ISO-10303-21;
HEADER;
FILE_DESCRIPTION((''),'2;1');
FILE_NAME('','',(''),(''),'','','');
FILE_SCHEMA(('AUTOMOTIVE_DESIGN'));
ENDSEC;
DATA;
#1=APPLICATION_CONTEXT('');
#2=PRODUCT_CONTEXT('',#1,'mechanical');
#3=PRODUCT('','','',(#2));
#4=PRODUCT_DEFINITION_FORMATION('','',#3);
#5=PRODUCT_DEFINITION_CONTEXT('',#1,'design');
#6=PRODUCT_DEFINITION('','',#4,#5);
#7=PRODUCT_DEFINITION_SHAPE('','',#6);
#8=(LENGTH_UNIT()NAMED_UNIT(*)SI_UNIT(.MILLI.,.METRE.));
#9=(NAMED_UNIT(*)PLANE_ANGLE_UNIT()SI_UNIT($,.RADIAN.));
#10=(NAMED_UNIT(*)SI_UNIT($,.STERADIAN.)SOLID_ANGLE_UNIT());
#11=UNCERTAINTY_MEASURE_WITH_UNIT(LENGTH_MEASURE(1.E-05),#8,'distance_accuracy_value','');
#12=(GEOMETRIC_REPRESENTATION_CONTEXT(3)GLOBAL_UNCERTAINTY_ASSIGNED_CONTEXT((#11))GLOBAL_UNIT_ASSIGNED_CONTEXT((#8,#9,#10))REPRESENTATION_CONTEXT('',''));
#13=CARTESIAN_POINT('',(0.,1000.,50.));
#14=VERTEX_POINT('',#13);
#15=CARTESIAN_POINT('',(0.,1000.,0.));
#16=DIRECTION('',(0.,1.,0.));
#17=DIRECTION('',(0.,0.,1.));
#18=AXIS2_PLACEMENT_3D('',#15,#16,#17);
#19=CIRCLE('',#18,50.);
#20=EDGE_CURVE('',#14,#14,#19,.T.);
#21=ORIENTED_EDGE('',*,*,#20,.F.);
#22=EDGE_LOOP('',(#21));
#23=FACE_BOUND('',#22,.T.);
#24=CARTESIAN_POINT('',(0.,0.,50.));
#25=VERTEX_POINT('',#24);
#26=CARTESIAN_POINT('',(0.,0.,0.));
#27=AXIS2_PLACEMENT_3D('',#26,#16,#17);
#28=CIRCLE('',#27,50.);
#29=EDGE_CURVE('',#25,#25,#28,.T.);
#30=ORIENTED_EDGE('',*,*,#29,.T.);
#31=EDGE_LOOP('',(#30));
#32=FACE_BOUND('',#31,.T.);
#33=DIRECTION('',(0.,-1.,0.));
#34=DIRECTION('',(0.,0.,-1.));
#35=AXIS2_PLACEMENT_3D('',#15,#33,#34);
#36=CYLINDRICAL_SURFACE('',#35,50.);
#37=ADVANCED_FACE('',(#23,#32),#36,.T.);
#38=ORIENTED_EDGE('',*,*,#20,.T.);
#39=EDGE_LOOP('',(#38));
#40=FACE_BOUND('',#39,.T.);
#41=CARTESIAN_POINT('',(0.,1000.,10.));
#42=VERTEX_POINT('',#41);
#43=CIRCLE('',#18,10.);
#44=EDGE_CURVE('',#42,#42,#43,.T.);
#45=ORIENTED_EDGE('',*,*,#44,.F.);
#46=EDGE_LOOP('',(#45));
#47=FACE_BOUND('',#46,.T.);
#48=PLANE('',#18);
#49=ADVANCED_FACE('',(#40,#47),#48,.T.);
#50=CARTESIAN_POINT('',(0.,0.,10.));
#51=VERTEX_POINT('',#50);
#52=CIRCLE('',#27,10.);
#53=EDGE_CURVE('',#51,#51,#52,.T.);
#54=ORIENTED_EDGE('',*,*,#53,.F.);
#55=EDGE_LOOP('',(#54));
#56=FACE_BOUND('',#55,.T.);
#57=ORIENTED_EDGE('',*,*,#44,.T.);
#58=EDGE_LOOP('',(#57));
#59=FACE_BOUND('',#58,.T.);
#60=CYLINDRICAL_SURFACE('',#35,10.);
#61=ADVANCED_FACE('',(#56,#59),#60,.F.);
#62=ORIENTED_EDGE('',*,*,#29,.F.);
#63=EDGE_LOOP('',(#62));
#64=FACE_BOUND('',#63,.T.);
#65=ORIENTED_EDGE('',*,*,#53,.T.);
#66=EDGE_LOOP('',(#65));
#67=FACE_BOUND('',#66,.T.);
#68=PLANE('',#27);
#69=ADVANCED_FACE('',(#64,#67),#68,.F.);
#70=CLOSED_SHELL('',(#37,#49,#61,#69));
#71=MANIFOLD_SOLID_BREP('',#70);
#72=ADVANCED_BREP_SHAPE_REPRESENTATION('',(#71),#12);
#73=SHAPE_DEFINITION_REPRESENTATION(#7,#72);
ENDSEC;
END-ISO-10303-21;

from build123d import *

# Parameters (mm, degrees)
SKETCH1_R           = 50
SKETCH1_R_2         = 10
BOSS_EXTRUDE1_DEPTH = 1000


with BuildPart() as part:
    # Sketch1 → Boss-Extrude1 (new body)
    with BuildSketch(Plane(origin=(0, 0, 0), x_dir=(1, 0, 0), z_dir=(0, 1, 0))):
        with Locations(Location((0, 0, 0), (0, 0, 270))):
            Circle(SKETCH1_R)
        with Locations(Location((0, 0, 0), (0, 0, 270))):
            Circle(SKETCH1_R_2, mode=Mode.SUBTRACT)
    extrude(amount=BOSS_EXTRUDE1_DEPTH)


solid = part.part
